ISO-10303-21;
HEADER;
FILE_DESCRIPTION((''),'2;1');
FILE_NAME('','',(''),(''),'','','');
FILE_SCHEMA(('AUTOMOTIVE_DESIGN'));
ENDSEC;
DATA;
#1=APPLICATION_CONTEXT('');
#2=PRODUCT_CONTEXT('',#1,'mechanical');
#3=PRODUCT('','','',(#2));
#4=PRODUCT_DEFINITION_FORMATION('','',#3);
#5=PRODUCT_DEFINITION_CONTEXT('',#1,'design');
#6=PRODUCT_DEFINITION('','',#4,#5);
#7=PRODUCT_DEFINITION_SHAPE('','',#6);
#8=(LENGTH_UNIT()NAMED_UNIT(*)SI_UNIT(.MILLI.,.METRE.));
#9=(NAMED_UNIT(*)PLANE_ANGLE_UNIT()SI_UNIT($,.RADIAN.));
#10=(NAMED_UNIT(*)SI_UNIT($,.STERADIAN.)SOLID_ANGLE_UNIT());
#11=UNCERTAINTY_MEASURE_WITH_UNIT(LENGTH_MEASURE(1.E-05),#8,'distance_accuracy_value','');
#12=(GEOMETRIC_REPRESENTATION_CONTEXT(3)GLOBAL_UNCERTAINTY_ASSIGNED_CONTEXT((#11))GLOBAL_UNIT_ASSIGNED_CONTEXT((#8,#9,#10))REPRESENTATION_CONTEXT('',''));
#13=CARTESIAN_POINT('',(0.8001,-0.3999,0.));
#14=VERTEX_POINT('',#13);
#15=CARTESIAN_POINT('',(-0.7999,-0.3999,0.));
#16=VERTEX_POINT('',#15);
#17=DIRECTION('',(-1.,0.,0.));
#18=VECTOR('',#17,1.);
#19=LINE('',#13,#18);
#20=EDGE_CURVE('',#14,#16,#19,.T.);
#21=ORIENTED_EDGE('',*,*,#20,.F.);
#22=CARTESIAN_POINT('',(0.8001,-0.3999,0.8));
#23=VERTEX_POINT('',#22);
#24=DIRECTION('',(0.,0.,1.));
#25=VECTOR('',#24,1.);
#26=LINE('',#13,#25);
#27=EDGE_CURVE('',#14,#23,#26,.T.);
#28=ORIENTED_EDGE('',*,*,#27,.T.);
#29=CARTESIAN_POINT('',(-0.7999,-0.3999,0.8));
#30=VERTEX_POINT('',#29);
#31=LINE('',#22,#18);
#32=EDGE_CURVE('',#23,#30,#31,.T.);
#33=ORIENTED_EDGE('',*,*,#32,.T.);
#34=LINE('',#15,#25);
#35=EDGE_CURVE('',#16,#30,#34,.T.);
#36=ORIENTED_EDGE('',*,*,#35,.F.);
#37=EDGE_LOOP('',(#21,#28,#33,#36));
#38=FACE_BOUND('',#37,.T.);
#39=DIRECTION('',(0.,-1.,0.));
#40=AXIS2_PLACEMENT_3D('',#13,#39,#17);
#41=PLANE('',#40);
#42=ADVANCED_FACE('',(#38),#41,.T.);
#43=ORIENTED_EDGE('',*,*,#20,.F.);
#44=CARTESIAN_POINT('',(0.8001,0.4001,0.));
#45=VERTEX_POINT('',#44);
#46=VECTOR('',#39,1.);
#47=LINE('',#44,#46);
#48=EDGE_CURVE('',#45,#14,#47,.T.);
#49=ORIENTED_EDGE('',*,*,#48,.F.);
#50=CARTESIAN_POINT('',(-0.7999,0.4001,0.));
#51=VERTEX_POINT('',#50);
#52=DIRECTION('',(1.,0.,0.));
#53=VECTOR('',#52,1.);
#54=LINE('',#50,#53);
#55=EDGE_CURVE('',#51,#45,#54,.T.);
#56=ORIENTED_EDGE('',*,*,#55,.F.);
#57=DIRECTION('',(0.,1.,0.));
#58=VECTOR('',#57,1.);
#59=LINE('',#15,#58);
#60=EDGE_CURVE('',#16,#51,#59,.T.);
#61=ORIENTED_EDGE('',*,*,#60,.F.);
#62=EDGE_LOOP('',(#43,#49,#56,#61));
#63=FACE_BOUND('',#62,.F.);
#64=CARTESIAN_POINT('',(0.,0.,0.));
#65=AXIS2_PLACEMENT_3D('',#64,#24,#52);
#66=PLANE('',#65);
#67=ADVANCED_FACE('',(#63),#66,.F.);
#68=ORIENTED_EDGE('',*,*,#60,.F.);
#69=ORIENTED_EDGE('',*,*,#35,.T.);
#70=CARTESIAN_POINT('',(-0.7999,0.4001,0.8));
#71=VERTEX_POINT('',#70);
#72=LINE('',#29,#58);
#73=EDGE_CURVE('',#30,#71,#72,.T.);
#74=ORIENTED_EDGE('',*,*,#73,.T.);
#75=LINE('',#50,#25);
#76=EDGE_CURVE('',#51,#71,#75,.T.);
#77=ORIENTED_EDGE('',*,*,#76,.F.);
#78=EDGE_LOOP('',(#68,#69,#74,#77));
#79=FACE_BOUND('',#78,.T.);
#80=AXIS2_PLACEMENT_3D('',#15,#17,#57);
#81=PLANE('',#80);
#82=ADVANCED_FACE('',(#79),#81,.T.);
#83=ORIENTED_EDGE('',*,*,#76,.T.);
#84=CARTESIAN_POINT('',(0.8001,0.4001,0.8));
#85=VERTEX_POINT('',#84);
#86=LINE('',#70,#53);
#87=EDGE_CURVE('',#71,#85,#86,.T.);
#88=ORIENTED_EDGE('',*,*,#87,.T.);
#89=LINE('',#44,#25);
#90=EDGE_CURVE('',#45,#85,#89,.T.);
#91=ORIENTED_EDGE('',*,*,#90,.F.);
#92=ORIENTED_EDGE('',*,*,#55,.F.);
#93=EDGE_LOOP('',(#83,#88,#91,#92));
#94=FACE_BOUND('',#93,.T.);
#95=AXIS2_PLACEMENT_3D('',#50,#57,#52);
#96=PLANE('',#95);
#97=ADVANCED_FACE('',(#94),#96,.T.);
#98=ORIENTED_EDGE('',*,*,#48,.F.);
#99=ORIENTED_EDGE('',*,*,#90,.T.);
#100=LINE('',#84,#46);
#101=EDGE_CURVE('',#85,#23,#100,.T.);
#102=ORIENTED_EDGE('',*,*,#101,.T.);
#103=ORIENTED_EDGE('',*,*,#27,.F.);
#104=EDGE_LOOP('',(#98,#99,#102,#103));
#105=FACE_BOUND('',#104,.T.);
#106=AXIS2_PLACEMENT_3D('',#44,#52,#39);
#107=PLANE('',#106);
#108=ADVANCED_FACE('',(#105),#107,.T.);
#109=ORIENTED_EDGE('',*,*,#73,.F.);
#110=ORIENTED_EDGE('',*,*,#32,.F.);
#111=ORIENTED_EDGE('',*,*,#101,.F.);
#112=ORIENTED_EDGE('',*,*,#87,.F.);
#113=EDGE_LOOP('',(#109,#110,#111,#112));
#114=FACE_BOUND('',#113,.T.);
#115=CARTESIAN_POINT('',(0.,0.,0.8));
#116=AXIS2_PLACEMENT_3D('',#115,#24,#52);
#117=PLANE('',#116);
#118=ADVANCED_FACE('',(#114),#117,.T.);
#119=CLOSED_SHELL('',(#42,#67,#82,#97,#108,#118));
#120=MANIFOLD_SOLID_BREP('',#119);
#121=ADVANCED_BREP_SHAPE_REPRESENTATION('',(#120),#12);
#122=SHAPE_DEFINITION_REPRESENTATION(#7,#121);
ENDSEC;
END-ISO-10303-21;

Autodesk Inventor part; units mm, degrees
ref_plane "YZ Plane" through (0, 0, 0) normal (1, 0, 0) x (0, 1, 0)
ref_plane "XZ Plane" through (0, 0, 0) normal (0, 1, 0) x (-1, 0, 0)
ref_plane "XY Plane" through (0, 0, 0) normal (0, 0, 1) x (1, 0, 0)
sketch "R0603, 10K_53" plane through (0, 0, 0) normal (0, 0, 1) x (1, 0, 0)
  line L0 (-0.7999, -0.3999) -> (-0.7999, 0.4001)
  line L1 (-0.7999, 0.4001) -> (0.8001, 0.4001)
  line L2 (0.8001, 0.4001) -> (0.8001, -0.3999)
  line L3 (0.8001, -0.3999) -> (-0.7999, -0.3999)
extrude "Extrusion1" add sketch "R0603, 10K_53" along normal blind 0.8
properties part number "10K"
